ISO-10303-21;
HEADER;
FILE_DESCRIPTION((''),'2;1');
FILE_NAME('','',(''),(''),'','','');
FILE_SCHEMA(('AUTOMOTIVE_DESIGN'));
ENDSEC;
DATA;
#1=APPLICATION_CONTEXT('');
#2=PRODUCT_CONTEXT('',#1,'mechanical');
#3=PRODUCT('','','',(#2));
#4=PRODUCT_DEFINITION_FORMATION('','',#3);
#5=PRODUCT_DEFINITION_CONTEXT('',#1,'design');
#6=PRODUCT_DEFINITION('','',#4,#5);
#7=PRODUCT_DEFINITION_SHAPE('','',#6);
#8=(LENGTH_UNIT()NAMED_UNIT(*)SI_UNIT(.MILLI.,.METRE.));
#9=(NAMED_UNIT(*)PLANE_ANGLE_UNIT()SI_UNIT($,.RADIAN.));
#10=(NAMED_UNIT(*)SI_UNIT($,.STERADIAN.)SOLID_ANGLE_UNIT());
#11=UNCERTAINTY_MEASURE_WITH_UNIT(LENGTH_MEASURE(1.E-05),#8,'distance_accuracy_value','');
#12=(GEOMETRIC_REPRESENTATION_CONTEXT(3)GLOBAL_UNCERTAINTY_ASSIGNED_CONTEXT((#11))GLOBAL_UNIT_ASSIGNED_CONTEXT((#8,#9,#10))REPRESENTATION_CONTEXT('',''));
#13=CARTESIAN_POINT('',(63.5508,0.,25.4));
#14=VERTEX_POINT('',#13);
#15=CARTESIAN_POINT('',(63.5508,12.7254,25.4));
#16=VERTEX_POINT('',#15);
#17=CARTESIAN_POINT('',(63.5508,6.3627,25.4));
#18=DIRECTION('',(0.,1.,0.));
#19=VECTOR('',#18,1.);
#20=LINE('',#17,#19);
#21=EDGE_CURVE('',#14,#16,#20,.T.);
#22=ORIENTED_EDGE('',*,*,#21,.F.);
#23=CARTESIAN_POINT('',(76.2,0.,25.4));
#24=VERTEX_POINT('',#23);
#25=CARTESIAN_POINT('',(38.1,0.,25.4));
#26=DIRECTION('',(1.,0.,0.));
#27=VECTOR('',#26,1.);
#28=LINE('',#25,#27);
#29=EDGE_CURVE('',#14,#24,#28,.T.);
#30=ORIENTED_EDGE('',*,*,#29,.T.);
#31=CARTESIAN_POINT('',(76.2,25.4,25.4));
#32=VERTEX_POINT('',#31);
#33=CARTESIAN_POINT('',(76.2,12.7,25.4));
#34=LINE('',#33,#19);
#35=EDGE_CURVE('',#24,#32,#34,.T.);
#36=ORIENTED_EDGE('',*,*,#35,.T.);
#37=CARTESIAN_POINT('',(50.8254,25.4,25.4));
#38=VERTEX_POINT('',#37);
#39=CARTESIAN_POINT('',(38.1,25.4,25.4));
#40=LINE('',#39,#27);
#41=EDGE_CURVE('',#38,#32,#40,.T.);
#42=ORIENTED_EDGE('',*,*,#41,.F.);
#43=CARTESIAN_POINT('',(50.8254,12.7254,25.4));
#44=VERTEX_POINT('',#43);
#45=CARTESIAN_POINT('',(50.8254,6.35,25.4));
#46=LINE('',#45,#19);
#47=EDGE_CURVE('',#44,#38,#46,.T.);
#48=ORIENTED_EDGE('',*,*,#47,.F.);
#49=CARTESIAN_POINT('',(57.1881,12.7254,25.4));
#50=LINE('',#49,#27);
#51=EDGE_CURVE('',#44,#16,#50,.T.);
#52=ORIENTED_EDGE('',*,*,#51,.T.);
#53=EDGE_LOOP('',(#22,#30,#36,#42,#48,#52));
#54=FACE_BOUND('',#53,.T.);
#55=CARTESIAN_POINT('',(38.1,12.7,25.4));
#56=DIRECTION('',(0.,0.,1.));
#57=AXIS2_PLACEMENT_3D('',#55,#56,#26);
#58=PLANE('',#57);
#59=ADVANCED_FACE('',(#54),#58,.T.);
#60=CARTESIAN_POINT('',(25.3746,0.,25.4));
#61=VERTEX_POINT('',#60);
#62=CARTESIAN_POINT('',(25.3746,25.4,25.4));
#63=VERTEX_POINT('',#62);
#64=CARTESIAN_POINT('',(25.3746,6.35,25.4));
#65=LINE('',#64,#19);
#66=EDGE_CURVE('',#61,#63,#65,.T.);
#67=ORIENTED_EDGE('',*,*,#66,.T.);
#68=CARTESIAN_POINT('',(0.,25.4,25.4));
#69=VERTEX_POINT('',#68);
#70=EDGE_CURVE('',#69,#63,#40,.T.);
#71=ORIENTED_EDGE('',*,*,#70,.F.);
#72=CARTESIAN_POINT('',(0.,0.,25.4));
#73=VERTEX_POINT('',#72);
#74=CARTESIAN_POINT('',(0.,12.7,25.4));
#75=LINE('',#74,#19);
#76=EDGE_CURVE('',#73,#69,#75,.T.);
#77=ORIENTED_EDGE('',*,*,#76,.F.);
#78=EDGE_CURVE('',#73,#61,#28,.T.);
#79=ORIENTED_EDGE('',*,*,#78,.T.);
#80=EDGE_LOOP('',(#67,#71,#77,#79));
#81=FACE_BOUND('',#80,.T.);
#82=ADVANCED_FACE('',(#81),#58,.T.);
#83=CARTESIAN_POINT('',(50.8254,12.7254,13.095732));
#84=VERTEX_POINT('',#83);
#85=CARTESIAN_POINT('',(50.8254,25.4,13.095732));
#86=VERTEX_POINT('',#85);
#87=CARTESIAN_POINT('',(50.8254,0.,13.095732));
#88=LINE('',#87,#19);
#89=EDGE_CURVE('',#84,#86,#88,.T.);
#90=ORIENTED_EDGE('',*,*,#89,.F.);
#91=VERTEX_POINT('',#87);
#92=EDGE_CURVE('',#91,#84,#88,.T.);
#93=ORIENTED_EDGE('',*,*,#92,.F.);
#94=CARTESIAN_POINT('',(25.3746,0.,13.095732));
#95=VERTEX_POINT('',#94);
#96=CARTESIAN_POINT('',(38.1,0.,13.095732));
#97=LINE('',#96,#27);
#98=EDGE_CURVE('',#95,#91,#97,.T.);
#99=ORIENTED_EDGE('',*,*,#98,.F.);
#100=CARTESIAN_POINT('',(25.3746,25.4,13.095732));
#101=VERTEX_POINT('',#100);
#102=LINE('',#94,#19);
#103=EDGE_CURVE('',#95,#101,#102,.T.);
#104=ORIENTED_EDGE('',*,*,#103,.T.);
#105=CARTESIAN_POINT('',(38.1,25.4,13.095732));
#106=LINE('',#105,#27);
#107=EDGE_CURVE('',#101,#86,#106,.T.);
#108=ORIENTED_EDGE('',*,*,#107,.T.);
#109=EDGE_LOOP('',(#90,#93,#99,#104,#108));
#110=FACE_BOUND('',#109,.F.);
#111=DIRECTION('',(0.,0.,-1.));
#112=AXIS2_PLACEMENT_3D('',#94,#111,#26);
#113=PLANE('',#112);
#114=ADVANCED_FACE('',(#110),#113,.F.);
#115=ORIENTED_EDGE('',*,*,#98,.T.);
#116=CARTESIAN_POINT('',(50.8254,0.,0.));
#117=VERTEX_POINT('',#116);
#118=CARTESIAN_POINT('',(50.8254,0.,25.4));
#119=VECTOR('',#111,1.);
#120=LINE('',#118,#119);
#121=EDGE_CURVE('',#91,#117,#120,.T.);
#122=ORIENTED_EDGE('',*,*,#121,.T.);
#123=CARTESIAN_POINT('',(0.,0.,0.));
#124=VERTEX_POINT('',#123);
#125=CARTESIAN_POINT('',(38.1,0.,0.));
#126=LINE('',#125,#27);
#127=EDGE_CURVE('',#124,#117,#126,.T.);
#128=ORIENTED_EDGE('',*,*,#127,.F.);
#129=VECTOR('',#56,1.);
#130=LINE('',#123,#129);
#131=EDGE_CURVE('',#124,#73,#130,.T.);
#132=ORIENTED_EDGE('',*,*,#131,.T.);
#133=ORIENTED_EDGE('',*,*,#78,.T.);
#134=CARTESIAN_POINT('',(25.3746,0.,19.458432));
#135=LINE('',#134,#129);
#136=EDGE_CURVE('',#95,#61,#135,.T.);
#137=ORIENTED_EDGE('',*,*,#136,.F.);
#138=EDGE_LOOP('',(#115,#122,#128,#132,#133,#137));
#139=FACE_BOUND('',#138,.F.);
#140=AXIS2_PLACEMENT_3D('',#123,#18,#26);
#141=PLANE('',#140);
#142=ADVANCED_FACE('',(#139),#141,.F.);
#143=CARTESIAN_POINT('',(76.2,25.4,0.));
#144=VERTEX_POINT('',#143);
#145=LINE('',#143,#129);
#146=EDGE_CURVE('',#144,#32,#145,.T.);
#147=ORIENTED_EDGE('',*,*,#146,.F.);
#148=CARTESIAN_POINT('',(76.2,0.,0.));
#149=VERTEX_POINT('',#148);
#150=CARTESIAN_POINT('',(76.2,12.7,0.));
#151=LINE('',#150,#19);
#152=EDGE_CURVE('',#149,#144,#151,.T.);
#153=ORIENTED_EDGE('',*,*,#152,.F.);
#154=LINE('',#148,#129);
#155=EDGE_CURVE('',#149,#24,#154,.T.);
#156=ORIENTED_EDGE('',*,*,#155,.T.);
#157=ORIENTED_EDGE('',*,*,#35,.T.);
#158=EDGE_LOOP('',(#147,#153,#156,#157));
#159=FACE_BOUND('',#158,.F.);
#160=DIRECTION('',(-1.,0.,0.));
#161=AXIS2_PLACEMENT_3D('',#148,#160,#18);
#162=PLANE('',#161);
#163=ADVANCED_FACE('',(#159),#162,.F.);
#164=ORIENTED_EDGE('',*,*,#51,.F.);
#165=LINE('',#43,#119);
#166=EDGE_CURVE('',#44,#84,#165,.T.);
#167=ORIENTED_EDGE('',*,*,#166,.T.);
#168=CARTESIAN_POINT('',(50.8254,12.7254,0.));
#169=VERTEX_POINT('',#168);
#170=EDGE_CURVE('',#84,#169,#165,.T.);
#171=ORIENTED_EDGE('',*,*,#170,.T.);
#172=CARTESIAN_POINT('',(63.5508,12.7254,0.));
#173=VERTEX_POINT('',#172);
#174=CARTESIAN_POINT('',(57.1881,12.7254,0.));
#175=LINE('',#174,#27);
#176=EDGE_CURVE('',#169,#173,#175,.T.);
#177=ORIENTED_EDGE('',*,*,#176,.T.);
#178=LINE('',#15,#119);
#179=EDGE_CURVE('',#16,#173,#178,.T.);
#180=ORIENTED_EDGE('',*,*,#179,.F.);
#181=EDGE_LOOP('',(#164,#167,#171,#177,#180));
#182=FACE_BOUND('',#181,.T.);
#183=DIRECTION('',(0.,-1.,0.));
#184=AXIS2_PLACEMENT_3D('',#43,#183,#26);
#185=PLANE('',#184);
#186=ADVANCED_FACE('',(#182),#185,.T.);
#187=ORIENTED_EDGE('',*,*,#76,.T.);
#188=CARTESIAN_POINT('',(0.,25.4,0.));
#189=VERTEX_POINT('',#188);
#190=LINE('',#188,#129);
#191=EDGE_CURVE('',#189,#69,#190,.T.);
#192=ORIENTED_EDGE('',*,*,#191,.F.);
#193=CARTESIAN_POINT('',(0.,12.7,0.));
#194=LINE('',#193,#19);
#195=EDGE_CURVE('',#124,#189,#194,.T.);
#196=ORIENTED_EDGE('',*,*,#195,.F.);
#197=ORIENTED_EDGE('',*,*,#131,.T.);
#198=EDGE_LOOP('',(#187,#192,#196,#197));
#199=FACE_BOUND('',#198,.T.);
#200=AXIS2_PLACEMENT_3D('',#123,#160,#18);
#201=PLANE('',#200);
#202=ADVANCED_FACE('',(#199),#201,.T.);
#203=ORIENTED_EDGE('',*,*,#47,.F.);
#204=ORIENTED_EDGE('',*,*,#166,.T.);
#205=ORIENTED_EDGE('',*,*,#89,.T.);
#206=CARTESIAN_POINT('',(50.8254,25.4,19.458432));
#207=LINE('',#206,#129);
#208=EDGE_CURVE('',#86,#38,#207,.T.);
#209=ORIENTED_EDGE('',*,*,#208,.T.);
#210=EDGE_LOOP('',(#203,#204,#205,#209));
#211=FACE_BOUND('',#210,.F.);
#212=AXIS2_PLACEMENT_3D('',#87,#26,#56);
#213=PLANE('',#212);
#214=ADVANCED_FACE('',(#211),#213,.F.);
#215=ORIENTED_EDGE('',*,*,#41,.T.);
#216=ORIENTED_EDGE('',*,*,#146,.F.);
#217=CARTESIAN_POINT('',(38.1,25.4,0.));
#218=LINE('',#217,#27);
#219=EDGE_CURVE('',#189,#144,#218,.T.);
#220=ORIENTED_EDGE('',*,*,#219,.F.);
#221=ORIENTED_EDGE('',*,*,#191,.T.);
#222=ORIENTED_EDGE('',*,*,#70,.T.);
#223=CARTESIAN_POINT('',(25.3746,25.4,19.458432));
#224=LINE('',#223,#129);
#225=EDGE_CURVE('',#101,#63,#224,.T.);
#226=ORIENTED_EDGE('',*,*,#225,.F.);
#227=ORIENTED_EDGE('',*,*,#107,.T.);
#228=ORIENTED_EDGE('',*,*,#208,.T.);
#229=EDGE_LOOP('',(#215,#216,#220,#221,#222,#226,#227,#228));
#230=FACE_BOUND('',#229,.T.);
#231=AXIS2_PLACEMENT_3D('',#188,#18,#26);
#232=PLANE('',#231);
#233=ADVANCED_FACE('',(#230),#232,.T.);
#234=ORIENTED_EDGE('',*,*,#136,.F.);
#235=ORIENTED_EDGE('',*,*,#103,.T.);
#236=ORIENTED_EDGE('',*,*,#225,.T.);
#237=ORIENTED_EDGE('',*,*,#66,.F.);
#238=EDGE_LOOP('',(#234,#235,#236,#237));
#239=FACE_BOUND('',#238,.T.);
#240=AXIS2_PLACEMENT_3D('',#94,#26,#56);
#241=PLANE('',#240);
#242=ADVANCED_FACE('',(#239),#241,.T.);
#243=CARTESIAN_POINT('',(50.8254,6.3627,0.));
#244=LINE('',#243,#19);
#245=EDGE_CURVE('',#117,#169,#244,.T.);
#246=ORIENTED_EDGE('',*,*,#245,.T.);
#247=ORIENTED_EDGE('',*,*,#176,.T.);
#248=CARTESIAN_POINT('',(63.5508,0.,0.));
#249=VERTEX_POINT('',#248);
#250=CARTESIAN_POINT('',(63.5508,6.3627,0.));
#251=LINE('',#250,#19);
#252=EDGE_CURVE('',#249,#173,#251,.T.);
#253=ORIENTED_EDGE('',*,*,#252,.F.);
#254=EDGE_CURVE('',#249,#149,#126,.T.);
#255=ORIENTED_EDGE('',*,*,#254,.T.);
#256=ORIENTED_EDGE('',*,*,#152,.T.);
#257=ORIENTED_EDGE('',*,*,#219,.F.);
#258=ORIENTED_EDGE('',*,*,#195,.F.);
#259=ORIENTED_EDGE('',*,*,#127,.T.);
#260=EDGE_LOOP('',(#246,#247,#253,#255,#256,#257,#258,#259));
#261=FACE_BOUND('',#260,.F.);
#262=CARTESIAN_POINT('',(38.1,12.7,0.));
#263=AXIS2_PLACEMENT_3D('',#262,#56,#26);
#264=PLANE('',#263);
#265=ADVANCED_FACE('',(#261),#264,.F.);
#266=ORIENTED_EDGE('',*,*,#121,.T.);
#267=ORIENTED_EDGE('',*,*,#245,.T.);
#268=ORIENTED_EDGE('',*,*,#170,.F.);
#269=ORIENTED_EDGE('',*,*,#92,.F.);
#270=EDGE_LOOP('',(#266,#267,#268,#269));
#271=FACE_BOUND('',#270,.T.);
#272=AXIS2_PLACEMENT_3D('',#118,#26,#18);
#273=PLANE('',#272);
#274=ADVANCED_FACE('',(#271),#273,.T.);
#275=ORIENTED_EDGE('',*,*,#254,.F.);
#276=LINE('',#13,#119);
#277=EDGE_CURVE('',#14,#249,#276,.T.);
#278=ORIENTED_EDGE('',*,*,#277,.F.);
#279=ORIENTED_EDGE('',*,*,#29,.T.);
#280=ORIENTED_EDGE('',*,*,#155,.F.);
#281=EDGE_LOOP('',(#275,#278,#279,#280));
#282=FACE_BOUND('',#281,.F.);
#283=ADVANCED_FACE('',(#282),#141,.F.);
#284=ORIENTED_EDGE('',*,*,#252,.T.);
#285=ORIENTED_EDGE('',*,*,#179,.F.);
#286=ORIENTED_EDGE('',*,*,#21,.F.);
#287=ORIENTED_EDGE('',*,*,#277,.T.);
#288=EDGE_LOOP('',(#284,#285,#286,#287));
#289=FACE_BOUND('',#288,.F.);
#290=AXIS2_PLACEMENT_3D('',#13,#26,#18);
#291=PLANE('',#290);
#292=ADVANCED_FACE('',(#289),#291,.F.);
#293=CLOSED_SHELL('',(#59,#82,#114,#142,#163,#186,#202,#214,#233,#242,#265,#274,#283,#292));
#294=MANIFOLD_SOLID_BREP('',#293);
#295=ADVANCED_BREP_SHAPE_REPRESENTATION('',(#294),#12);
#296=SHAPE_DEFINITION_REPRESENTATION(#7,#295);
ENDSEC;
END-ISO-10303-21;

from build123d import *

# Parameters (mm, degrees)
F0_W     = 76.2
F0_H     = 25.4
F1_DEPTH = 25.4
F2_W     = 25.4508
F2_H     = 12.7254
F3_DEPTH = 25.4
F4_W     = 12.7254
F4_H     = 12.7254
F5_DEPTH = 25.4


with BuildPart() as f1:
    # F0 (on Top) → F1 (new body)
    with BuildSketch(Plane.XY):
        with Locations((38.1, 12.7)):
            Rectangle(F0_W, F0_H)
    extrude(amount=F1_DEPTH)

    # F2 (on Front) → F3 (cut)
    with BuildSketch(Plane.XZ):
        with Locations((38.1, 19.458432)):
            Rectangle(F2_W, F2_H)
    extrude(amount=-F3_DEPTH, mode=Mode.SUBTRACT)

    # F4 (on face) → F5 (cut)
    with BuildSketch(Plane.XY.offset(25.4)):
        with Locations((57.1881, 6.3627)):
            Rectangle(F4_W, F4_H)
    extrude(amount=-F5_DEPTH, mode=Mode.SUBTRACT)


solid = f1.part
